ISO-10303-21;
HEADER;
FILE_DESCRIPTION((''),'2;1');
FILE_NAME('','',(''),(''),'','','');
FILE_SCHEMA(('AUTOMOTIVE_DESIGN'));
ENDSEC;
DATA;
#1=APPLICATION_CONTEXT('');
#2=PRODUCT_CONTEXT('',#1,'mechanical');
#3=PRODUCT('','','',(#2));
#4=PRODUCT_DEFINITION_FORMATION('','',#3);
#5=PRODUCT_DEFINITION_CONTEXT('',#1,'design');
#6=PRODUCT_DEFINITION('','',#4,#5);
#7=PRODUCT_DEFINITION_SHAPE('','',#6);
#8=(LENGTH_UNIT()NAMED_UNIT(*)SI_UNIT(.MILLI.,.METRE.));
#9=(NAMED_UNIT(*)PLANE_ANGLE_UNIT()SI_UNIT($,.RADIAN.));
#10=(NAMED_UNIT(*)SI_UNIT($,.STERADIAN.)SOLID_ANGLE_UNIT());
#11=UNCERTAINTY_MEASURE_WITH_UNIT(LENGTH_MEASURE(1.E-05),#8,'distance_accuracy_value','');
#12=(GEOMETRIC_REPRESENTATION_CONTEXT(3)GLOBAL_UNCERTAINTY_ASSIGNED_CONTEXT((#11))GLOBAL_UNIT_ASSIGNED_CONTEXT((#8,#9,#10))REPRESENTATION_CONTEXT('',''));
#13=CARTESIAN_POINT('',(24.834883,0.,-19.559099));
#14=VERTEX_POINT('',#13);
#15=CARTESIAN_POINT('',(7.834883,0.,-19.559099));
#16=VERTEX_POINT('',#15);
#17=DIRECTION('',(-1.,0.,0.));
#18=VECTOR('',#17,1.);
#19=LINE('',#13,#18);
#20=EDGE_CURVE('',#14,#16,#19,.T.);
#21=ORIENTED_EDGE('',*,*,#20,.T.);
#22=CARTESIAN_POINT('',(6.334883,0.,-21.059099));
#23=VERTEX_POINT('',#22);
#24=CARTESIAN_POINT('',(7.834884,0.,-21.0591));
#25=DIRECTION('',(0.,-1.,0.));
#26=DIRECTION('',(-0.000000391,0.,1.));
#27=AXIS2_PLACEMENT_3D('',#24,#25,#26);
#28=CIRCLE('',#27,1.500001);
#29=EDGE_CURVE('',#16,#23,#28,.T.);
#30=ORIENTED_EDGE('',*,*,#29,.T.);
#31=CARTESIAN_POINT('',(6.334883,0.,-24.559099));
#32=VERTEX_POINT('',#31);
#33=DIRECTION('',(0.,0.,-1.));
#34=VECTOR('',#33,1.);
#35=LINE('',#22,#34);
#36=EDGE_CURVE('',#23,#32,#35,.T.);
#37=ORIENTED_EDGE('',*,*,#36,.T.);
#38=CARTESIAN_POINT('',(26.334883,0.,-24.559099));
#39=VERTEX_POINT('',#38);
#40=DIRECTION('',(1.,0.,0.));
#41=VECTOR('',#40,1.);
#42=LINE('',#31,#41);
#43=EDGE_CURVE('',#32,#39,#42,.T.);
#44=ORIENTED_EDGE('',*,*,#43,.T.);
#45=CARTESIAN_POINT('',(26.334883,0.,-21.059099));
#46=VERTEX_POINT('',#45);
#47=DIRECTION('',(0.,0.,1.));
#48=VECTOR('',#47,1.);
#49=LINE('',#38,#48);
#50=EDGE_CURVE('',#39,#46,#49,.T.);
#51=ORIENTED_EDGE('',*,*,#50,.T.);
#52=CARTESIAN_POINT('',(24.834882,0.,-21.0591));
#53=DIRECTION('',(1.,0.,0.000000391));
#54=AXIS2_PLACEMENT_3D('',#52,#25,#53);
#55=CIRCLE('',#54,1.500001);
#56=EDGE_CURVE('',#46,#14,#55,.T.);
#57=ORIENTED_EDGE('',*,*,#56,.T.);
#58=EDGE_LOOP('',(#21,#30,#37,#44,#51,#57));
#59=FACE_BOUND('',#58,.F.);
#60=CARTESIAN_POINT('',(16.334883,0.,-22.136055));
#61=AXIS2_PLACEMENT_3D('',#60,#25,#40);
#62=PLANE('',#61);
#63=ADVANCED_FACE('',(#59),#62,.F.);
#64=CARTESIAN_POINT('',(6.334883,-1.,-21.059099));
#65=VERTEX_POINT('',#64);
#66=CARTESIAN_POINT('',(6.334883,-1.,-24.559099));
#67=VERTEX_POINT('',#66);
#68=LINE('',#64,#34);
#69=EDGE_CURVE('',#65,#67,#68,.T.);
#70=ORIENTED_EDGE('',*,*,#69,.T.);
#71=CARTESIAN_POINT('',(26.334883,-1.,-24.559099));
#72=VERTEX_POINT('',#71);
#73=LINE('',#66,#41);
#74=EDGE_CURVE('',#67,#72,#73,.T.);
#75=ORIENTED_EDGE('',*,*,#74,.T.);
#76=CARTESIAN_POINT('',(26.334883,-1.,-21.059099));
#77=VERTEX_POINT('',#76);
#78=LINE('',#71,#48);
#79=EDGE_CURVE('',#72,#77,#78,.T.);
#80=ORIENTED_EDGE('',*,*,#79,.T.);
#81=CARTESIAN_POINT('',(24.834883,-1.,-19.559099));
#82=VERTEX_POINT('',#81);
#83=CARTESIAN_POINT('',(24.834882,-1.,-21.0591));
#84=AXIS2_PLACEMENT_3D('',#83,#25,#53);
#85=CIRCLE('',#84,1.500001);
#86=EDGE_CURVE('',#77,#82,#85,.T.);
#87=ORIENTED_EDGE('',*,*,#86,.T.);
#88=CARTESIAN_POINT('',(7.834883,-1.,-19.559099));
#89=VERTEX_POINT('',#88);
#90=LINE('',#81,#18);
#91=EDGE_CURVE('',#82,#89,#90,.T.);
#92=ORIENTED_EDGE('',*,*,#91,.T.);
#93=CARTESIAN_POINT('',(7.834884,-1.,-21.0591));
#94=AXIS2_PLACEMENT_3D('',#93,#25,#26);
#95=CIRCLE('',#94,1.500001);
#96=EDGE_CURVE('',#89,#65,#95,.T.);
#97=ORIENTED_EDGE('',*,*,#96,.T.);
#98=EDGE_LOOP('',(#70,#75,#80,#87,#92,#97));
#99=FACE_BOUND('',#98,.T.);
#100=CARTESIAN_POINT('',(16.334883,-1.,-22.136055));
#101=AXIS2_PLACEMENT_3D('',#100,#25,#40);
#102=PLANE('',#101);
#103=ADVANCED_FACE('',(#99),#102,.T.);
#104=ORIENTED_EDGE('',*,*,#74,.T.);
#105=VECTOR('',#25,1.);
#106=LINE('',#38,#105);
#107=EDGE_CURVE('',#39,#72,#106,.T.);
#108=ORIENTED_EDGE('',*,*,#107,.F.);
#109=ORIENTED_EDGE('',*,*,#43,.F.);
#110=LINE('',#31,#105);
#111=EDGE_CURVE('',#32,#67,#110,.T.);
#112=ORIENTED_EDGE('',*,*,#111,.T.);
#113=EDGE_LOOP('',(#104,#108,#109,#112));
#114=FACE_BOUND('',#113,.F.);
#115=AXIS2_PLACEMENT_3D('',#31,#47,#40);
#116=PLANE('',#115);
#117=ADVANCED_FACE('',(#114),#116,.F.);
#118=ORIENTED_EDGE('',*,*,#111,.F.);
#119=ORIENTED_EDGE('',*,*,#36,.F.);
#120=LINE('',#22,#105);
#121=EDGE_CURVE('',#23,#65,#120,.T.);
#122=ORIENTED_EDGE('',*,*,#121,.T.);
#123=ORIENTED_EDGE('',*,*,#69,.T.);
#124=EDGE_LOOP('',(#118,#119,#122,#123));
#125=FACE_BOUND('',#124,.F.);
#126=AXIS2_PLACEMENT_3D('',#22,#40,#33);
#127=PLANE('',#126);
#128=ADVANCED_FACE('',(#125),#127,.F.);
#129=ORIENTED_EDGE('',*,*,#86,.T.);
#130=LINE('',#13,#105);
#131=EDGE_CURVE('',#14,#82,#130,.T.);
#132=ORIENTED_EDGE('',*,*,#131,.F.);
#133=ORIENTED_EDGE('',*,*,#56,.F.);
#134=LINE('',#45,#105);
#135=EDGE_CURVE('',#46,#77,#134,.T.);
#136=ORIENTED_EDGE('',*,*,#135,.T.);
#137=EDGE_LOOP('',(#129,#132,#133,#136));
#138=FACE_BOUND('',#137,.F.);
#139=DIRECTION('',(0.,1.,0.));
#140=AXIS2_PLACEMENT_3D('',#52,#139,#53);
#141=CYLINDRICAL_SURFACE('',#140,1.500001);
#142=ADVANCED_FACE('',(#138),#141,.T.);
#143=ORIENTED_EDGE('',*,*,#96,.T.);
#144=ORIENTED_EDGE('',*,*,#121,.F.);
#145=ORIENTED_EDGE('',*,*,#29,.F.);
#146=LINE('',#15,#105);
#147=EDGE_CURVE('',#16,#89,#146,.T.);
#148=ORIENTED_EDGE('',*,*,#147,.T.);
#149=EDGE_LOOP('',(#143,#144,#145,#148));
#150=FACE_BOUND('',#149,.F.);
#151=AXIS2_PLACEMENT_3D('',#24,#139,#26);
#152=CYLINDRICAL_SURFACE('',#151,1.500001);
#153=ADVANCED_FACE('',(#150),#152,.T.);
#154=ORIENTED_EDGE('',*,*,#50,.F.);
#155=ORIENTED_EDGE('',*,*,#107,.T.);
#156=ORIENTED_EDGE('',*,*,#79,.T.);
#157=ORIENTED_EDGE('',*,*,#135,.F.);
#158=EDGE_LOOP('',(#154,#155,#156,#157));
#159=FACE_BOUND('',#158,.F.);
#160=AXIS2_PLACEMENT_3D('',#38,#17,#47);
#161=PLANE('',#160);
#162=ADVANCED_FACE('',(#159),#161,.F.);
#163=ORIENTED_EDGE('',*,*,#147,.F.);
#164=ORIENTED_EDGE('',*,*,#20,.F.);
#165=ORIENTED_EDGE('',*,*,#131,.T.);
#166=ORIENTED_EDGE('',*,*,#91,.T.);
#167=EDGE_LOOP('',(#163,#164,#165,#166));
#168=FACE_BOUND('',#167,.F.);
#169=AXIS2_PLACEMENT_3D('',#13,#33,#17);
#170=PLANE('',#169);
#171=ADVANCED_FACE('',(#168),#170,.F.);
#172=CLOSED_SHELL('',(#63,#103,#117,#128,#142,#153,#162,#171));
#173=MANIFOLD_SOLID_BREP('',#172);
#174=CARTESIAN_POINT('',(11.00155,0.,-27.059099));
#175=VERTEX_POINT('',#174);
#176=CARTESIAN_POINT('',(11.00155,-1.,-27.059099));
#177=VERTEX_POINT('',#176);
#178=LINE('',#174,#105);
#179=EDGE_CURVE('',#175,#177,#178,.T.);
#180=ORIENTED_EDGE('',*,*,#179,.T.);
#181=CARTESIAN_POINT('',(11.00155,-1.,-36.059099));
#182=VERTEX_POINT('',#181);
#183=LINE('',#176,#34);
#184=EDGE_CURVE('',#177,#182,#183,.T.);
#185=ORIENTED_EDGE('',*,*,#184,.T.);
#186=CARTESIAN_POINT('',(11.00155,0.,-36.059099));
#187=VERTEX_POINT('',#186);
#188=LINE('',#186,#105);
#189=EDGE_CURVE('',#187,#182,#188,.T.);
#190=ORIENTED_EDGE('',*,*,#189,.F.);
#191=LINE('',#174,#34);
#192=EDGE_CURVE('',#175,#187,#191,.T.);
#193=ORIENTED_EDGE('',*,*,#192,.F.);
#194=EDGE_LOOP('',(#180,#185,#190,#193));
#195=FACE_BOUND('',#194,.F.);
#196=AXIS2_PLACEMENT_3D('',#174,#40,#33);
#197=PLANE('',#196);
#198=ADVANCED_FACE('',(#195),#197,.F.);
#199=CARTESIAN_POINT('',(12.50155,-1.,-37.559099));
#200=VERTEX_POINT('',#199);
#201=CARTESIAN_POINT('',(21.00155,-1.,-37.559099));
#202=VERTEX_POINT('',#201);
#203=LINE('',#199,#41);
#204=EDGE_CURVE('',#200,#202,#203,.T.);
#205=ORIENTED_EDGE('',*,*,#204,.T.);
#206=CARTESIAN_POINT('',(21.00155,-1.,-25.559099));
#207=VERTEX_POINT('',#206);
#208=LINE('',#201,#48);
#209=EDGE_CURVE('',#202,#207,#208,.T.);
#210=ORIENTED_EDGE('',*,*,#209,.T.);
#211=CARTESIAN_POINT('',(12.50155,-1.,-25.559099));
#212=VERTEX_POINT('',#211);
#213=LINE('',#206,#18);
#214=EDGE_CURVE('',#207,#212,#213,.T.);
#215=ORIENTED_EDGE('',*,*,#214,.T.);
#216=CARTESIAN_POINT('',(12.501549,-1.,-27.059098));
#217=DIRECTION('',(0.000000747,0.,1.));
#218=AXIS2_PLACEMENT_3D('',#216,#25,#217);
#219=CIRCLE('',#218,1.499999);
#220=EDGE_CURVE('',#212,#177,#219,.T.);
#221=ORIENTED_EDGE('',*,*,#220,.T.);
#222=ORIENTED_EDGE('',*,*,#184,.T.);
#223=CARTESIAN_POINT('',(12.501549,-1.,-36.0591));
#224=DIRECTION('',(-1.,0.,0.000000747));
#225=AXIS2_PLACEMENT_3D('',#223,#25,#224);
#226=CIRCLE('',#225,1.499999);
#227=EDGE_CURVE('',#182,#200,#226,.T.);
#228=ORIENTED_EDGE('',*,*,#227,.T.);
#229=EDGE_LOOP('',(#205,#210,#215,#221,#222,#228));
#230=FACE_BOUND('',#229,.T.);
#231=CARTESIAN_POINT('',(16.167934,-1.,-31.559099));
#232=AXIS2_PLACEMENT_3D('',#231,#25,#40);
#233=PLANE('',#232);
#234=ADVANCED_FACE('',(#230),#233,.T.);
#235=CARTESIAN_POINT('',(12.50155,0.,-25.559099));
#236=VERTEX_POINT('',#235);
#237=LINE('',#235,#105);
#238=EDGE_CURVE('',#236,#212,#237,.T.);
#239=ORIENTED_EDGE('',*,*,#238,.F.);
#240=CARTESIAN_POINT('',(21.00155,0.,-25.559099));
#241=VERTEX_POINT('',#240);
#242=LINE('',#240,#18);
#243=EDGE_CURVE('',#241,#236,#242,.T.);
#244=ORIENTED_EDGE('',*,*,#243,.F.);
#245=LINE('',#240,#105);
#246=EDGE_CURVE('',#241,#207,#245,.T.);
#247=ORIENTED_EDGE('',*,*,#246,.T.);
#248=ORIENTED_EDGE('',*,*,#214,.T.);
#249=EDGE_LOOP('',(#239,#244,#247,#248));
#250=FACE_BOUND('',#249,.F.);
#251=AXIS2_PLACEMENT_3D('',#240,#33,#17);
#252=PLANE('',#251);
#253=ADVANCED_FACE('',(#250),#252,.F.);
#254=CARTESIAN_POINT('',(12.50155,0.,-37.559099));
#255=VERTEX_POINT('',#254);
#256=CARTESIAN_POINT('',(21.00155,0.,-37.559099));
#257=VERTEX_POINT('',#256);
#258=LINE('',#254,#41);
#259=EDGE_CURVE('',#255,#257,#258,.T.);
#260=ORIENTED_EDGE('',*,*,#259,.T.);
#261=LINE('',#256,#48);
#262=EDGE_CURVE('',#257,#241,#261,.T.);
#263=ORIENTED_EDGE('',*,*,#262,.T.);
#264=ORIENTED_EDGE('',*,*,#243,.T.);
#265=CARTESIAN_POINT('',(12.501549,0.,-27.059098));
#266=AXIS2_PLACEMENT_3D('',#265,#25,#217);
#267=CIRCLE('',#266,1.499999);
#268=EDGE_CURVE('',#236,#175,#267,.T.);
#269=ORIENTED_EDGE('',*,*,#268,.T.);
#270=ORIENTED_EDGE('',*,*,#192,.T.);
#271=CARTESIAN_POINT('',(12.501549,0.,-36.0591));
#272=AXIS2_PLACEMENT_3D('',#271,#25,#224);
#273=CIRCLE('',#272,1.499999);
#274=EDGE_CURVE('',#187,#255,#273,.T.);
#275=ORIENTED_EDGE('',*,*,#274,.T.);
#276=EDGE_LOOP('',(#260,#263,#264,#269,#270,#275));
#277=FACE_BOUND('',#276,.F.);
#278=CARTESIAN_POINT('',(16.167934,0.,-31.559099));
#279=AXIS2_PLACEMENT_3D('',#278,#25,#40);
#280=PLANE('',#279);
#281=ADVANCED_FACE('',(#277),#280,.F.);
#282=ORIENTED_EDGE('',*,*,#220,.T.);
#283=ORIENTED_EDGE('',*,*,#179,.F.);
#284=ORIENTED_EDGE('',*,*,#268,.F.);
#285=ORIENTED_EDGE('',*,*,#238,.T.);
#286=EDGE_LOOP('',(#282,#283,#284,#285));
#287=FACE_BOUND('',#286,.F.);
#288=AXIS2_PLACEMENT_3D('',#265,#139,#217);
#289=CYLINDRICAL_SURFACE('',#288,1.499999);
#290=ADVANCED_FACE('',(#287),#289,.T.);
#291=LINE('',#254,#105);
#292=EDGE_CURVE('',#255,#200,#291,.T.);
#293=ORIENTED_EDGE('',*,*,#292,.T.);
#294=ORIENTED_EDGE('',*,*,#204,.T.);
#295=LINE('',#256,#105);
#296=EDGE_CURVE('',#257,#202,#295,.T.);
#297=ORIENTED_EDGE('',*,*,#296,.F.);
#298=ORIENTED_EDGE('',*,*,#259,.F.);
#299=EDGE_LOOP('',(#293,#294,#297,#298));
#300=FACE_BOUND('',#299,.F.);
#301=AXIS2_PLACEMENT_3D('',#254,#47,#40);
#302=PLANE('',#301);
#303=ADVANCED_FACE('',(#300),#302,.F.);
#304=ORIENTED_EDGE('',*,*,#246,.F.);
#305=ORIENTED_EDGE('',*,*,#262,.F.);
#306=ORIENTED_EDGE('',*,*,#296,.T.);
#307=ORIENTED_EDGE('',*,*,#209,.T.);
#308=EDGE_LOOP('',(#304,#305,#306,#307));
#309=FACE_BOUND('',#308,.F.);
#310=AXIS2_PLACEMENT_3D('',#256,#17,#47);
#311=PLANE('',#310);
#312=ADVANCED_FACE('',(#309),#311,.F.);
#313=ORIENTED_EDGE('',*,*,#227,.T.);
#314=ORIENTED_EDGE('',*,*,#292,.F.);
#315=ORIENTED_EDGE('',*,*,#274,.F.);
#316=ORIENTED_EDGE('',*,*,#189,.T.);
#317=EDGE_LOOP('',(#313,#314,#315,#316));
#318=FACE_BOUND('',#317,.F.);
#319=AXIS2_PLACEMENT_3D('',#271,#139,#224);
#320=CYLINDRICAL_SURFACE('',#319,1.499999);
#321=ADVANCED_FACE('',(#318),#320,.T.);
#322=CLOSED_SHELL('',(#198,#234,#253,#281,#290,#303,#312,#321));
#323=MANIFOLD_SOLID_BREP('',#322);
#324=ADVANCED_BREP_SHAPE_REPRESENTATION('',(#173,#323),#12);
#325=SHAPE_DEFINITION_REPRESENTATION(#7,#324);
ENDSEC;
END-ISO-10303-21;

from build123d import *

# Parameters (mm, degrees)
F1_DEPTH = 1


with BuildPart() as f1:
    # F0 (on Front) → F1 (new body)
    with BuildSketch(Plane.XZ):
        with BuildLine():
            Line((24.834883, -19.559099), (7.834883, -19.559099))
            ThreePointArc((7.834883, -19.559099), (6.774223, -19.998439), (6.334883, -21.059099))
            Line((6.334883, -21.059099), (6.334883, -24.559099))
            Line((6.334883, -24.559099), (26.334883, -24.559099))
            Line((26.334883, -24.559099), (26.334883, -21.059099))
            ThreePointArc((26.334883, -21.059099), (25.895543, -19.998439), (24.834883, -19.559099))
        make_face()
        with BuildLine():
            Line((21.00155, -25.559099), (12.50155, -25.559099))
            ThreePointArc((12.50155, -25.559099), (11.440889, -25.998439), (11.00155, -27.059099))
            Line((11.00155, -27.059099), (11.00155, -36.059099))
            ThreePointArc((11.00155, -36.059099), (11.440889, -37.119759), (12.50155, -37.559099))
            Line((12.50155, -37.559099), (21.00155, -37.559099))
            Line((21.00155, -37.559099), (21.00155, -25.559099))
        make_face()
    extrude(amount=F1_DEPTH)


solid = f1.part
